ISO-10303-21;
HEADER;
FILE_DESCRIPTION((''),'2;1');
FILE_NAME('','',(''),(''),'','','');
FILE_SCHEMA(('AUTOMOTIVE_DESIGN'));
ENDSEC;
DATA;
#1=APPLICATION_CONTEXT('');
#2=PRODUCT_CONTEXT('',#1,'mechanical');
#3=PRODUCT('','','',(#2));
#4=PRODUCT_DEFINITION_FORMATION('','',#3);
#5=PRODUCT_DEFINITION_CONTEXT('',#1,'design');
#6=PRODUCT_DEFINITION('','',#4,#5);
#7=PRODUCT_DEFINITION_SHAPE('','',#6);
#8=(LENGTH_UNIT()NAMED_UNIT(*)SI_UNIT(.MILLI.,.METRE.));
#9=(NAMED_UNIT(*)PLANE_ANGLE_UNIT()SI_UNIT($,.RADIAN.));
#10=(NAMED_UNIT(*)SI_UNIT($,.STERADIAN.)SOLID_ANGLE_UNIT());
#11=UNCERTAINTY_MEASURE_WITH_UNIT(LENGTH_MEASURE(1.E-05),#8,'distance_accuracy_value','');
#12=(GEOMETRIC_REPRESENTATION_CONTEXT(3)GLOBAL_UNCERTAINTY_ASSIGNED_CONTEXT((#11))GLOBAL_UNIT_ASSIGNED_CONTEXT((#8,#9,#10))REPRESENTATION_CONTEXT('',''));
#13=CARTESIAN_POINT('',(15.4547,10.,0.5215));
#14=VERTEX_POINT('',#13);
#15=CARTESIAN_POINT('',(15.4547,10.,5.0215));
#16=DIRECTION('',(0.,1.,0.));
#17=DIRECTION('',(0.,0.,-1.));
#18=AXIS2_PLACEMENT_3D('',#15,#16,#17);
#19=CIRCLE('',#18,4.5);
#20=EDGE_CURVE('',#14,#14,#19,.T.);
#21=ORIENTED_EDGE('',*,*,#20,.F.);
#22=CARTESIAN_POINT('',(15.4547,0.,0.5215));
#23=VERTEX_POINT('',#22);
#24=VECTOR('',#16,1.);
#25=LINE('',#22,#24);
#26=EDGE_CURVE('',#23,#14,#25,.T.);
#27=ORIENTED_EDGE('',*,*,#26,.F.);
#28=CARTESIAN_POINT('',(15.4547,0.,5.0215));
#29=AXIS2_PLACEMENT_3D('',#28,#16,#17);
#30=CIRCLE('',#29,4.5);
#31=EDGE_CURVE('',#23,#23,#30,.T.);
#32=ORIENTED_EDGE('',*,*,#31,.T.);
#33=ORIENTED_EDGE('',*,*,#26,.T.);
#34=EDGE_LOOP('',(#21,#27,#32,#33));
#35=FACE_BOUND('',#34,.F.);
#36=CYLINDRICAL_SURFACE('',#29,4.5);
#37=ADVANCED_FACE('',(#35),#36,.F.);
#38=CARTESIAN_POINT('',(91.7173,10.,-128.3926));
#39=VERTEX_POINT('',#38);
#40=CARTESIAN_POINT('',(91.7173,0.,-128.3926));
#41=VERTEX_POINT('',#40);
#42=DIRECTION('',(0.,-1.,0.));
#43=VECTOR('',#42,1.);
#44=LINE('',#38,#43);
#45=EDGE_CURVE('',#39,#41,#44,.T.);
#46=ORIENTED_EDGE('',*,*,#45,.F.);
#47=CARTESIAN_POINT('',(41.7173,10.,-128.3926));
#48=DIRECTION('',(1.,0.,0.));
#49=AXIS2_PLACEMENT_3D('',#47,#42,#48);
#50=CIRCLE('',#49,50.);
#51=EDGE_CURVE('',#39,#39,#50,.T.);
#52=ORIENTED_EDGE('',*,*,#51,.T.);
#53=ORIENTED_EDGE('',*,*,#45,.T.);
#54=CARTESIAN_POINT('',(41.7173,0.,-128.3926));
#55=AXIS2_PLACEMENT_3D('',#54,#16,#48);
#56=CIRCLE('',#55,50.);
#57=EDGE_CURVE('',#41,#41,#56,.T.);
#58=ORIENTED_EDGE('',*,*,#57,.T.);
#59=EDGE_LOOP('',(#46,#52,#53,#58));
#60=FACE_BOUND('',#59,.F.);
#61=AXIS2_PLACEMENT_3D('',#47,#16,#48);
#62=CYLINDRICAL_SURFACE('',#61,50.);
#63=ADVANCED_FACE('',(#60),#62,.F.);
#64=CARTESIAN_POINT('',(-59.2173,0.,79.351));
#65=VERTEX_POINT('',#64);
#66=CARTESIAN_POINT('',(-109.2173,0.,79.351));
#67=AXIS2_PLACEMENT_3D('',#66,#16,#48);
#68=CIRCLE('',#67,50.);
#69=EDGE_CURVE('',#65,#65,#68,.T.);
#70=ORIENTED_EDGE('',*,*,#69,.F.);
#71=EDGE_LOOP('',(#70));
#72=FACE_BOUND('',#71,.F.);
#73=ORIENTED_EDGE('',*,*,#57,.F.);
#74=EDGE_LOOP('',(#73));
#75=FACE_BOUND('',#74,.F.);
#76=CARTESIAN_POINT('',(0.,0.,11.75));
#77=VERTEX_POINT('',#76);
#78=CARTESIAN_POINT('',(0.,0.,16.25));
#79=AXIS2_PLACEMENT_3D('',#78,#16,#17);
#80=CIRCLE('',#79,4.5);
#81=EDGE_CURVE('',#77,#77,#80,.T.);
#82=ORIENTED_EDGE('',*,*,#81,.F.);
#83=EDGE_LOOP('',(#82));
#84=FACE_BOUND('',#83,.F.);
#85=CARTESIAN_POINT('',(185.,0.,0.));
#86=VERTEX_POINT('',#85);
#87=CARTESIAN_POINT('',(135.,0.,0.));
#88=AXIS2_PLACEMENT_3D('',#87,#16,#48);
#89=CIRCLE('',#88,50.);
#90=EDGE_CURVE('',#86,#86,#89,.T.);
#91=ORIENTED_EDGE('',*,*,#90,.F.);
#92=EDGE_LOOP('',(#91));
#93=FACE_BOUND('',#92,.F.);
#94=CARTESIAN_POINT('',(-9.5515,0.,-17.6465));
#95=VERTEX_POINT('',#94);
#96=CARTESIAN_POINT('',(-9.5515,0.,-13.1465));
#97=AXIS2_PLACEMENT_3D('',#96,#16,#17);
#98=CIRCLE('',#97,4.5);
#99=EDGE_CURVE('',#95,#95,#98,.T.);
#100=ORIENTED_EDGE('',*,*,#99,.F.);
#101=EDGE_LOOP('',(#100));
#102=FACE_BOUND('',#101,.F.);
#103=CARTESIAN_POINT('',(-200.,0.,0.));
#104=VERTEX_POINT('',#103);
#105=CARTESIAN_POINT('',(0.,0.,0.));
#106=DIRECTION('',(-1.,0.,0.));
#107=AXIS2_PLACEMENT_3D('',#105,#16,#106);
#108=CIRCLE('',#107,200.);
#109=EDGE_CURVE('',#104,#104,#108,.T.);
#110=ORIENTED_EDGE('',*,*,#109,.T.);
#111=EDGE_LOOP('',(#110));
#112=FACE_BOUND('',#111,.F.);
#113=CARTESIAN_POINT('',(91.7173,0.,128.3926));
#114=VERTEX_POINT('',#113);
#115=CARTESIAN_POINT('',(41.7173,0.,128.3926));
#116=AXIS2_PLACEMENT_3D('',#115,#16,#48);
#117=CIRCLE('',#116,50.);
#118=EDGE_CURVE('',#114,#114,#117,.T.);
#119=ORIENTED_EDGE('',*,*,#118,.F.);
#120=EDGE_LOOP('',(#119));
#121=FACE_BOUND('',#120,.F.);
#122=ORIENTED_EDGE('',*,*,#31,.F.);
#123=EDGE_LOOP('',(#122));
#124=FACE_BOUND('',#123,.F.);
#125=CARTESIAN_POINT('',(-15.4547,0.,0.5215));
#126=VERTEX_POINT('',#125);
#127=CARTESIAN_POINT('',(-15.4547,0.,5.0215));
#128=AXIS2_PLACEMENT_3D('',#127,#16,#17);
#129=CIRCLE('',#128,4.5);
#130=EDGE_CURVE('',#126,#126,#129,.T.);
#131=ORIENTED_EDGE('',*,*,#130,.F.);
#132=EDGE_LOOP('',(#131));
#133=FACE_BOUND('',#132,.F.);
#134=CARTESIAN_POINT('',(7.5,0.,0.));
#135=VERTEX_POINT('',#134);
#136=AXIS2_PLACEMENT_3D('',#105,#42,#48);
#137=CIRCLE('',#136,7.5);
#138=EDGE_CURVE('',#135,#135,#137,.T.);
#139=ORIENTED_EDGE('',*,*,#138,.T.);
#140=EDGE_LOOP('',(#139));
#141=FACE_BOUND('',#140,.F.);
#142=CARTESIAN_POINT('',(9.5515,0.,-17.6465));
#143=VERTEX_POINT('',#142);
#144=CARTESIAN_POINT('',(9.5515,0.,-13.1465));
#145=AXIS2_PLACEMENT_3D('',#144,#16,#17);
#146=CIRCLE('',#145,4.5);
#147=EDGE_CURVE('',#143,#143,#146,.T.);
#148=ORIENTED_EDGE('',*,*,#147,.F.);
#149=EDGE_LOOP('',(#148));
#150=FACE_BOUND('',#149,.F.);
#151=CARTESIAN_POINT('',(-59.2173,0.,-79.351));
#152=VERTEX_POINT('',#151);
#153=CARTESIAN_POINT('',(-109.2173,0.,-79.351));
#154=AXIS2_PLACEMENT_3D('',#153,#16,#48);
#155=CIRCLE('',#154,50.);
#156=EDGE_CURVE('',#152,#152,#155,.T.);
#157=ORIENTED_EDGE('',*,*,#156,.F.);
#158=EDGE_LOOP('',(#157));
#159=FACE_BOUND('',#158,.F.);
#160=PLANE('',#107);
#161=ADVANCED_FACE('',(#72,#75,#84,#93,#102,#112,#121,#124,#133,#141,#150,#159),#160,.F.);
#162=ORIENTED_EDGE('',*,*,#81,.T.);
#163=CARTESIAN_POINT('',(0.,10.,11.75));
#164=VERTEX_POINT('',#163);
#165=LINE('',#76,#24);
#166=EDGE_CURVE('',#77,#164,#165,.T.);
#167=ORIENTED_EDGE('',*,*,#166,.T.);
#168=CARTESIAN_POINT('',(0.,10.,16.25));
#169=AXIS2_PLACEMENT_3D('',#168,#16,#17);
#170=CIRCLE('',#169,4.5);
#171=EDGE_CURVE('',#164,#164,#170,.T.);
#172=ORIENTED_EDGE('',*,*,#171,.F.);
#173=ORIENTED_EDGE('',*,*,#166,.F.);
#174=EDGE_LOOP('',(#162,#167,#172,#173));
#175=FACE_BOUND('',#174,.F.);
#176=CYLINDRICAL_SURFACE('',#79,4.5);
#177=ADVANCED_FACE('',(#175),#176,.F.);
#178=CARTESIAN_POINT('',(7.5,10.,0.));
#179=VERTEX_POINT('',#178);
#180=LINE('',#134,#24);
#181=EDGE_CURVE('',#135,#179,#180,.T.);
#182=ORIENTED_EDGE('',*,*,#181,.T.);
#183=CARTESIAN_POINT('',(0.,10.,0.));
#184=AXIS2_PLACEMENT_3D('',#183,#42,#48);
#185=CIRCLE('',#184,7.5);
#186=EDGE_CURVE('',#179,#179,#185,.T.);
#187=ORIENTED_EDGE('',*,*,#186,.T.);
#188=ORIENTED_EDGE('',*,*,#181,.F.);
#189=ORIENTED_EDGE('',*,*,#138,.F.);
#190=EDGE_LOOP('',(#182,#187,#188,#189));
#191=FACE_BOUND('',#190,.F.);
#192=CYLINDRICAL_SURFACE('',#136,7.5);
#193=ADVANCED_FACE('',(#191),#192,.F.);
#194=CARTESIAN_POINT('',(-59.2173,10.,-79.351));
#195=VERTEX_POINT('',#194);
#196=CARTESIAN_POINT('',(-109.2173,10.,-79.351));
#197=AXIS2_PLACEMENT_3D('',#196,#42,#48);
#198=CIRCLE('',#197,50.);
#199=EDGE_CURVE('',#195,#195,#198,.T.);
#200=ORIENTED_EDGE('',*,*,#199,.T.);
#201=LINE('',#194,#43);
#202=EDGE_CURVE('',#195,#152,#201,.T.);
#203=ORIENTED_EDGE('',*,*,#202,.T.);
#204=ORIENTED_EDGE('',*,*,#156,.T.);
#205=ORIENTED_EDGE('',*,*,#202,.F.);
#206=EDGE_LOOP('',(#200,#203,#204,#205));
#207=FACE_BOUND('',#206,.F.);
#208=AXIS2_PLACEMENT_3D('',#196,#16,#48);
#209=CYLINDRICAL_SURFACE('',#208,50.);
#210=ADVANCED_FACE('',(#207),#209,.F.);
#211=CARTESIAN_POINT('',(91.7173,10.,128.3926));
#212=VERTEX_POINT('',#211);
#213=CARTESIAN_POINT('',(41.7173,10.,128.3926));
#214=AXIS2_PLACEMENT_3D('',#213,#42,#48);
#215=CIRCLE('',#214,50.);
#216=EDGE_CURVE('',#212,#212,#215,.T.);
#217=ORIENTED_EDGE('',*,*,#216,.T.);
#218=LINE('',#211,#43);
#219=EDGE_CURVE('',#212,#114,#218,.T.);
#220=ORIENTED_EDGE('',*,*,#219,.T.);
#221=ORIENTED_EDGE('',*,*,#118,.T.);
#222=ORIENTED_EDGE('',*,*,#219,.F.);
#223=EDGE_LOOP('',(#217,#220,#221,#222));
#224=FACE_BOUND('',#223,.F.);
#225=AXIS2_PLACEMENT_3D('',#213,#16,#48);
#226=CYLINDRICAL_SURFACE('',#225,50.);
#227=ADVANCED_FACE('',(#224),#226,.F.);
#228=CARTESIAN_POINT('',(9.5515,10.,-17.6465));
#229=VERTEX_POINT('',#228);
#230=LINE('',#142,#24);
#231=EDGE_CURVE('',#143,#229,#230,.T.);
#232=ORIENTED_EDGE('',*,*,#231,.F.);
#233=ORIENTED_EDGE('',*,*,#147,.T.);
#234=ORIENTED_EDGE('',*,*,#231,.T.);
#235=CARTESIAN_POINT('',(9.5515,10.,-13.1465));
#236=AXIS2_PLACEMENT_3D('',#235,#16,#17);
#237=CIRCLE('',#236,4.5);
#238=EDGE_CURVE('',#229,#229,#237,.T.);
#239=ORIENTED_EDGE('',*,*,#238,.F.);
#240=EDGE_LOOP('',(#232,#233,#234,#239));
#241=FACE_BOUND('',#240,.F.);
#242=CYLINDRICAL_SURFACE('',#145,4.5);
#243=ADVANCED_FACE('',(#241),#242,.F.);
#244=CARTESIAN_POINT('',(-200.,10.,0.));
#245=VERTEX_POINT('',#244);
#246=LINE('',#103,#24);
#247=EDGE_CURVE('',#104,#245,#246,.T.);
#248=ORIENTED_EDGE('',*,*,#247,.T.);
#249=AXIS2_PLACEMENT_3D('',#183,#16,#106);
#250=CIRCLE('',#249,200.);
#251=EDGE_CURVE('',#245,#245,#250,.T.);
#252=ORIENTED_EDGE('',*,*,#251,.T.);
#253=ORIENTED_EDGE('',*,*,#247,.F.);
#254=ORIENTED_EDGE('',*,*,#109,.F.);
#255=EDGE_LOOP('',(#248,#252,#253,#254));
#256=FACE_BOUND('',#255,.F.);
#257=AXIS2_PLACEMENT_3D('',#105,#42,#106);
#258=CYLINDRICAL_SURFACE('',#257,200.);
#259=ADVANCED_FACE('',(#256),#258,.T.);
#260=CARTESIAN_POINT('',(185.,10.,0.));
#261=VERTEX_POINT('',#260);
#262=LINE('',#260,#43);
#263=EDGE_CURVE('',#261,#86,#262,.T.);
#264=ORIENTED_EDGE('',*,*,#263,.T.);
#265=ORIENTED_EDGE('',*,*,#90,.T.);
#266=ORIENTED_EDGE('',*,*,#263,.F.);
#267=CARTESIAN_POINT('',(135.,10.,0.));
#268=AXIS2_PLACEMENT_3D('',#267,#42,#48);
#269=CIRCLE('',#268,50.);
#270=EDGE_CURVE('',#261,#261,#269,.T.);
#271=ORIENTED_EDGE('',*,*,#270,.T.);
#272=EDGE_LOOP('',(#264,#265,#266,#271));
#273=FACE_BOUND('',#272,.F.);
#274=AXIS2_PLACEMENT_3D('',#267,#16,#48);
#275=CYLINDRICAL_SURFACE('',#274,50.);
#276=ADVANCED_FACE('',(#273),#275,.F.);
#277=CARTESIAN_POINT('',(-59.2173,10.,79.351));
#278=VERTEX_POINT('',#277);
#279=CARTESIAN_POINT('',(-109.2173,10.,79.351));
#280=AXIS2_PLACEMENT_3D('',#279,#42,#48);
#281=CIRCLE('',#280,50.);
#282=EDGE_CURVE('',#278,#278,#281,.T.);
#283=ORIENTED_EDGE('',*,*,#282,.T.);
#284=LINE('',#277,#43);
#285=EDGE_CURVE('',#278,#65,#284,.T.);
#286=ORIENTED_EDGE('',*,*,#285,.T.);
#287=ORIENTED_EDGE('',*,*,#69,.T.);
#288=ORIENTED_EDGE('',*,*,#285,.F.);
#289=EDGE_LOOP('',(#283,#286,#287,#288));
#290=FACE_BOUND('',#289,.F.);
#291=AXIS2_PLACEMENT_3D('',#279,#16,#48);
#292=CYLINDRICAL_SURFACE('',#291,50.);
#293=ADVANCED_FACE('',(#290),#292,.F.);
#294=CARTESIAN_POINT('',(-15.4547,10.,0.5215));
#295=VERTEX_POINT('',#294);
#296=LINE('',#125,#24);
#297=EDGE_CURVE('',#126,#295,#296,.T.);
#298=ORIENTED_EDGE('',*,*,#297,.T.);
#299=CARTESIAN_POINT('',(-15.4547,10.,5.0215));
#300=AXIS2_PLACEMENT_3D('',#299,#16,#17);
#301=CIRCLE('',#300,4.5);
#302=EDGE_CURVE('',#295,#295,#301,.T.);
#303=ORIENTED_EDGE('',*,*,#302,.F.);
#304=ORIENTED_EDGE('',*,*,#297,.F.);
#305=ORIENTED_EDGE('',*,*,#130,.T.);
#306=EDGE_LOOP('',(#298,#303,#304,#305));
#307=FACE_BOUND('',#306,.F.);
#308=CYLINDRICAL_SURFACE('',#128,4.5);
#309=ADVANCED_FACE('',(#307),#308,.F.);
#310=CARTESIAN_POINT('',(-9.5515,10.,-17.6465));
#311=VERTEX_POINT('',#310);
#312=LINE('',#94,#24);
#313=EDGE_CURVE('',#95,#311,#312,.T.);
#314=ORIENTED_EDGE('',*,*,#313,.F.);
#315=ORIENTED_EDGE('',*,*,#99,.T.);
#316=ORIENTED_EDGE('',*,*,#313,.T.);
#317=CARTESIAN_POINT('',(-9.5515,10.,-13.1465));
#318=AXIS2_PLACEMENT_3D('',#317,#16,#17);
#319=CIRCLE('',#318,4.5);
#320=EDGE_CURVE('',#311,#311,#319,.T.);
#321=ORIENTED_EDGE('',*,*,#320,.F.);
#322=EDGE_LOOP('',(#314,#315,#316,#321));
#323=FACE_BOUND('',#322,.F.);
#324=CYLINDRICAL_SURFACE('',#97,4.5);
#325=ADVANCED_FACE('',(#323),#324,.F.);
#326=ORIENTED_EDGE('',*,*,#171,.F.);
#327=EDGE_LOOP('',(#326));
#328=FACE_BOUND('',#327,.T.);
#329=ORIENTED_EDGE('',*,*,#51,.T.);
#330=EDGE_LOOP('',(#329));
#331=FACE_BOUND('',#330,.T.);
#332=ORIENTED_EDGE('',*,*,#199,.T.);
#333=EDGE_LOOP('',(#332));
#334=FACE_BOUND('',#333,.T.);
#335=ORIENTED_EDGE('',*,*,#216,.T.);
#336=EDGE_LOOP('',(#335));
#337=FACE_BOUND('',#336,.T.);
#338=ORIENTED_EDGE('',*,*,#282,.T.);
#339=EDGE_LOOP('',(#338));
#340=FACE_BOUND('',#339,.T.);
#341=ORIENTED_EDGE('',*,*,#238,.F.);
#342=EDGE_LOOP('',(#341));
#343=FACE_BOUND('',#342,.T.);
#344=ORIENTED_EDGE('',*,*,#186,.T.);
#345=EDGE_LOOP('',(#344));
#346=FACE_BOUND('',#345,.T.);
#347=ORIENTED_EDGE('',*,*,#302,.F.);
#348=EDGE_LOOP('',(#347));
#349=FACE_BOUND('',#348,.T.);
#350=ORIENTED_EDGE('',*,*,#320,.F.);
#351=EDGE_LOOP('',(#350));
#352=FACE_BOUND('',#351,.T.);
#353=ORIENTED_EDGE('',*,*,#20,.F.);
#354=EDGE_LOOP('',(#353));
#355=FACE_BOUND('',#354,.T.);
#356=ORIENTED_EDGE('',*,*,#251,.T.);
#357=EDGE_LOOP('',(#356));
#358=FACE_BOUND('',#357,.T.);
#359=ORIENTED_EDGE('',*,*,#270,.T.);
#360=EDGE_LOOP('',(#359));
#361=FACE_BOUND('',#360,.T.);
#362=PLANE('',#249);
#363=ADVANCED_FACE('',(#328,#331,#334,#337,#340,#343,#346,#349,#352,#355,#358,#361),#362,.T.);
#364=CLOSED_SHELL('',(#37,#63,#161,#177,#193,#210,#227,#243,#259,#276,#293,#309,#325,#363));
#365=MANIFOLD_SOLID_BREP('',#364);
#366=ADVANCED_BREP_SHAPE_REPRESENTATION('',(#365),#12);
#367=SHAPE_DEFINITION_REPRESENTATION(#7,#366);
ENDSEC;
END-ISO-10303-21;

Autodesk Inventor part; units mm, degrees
ref_plane "YZ Plane" through (0, 0, 0) normal (1, 0, 0) x (0, 1, 0)
ref_plane "XZ Plane" through (0, 0, 0) normal (0, 1, 0) x (-1, 0, 0)
ref_plane "XY Plane" through (0, 0, 0) normal (0, 0, 1) x (1, 0, 0)
sketch "Skizze1" plane through (0, 0, 0) normal (0, 1, 0) x (-1, 0, 0)
  circle A0 centre (0, 0) radius 200
  dimension "d0" = 400
extrude "Extrusion1" add sketch "Skizze1" along normal blind 10
sketch "Skizze2" plane through (0, 10, 0) normal (0, 1, 0) x (1, 0, 0)
  circle A0 centre (0, 0) radius 200 projected
  line L0 (0, 0) -> (200, 0) construction
  line L1 (0, 0) -> (61.8034, 190.2113)
  line L2 (0, 0) -> (200, 0) construction
  line L3 (0, 0) -> (-161.8034, 117.5571)
  line L4 (0, 0) -> (200, 0) construction
  line L5 (0, 0) -> (61.8034, -190.2113)
  line L6 (0, 0) -> (-161.8034, -117.5571)
  line L7 (0, 0) -> (200, 0)
  line L8 (200, 0) -> (100, 0)
  line L9 (0, 0) -> (30.9017, -95.1057)
  line L10 (200, 0) -> (135, 0)
  circle A1 centre (135, 0) radius 50
  line L11 (61.8034, -190.2113) -> (41.7173, -128.3926)
  circle A2 centre (41.7173, -128.3926) radius 50
  line L12 (-161.8034, -117.5571) -> (-109.2173, -79.351)
  circle A3 centre (-109.2173, -79.351) radius 50
  line L13 (-161.8034, 117.5571) -> (-109.2173, 79.351)
  circle A4 centre (-109.2173, 79.351) radius 50
  line L14 (61.8034, 190.2113) -> (41.7173, 128.3926)
  circle A5 centre (41.7173, 128.3926) radius 50
  dimension "d4" = 72
  dimension "d5" = 144
  dimension "d9" = 65
  dimension "d10" = 100
  dimension "d11" = 65
  dimension "d12" = 100
  dimension "d13" = 65
  dimension "d14" = 100
  dimension "d15" = 65
  dimension "d16" = 100
  dimension "d17" = 65
  dimension "d18" = 100
extrude "Extrusion4" cut sketch "Skizze2" against normal blind 10 contours A1 L7 | L7 A1 | A5 L1 | L1 A5 | A2 L5 | L5 A2 | A4 L3 | L3 A4 | A3 L6 | L6 A3
sketch "Skizze5" plane through (0, 0, 0) normal (0, -1, 0) x (1, 0, 0)
  circle A0 centre (0, 0) radius 7.5
  dimension "d27" = 15
extrude "Extrusion5" cut sketch "Skizze5" against normal blind 10
sketch "Skizze6" plane through (0, 0, 0) normal (0, -1, 0) x (1, 0, 0)
  line L0 (0, 0) -> (0, 16.25)
  line L1 (0, 0) -> (15.4547, 5.0215)
  line L2 (0, 0) -> (16.25, 0) construction
  line L3 (0, 0) -> (16.25, 0) construction
  line L4 (0, 0) -> (9.5515, -13.1465)
  line L5 (0, 0) -> (16.25, 0) construction
  line L6 (0, 0) -> (-9.5515, -13.1465)
  line L7 (0, 0) -> (16.25, 0) construction
  line L8 (0, 0) -> (-15.4547, 5.0215)
  dimension "d30" = 16.25
  dimension "d31" = 16.25
  dimension "d32" = 18
  dimension "d35" = 16.25
  dimension "d36" = 54
  dimension "d37" = 16.25
  dimension "d40" = 16.25
hole "Bohrung1" at (0, 0, 16.25) at (-15.4547, 0, 5.0215) at (-9.5515, 0, -13.1465) at (15.4547, 0, 5.0215) at (9.5515, 0, -13.1465) direction (0, 1, 0) diameter 9 depth 10 tip angle 118
properties part number "Drehplatte_Rahmenvorrrichtung" material "Holz (Birke)"
